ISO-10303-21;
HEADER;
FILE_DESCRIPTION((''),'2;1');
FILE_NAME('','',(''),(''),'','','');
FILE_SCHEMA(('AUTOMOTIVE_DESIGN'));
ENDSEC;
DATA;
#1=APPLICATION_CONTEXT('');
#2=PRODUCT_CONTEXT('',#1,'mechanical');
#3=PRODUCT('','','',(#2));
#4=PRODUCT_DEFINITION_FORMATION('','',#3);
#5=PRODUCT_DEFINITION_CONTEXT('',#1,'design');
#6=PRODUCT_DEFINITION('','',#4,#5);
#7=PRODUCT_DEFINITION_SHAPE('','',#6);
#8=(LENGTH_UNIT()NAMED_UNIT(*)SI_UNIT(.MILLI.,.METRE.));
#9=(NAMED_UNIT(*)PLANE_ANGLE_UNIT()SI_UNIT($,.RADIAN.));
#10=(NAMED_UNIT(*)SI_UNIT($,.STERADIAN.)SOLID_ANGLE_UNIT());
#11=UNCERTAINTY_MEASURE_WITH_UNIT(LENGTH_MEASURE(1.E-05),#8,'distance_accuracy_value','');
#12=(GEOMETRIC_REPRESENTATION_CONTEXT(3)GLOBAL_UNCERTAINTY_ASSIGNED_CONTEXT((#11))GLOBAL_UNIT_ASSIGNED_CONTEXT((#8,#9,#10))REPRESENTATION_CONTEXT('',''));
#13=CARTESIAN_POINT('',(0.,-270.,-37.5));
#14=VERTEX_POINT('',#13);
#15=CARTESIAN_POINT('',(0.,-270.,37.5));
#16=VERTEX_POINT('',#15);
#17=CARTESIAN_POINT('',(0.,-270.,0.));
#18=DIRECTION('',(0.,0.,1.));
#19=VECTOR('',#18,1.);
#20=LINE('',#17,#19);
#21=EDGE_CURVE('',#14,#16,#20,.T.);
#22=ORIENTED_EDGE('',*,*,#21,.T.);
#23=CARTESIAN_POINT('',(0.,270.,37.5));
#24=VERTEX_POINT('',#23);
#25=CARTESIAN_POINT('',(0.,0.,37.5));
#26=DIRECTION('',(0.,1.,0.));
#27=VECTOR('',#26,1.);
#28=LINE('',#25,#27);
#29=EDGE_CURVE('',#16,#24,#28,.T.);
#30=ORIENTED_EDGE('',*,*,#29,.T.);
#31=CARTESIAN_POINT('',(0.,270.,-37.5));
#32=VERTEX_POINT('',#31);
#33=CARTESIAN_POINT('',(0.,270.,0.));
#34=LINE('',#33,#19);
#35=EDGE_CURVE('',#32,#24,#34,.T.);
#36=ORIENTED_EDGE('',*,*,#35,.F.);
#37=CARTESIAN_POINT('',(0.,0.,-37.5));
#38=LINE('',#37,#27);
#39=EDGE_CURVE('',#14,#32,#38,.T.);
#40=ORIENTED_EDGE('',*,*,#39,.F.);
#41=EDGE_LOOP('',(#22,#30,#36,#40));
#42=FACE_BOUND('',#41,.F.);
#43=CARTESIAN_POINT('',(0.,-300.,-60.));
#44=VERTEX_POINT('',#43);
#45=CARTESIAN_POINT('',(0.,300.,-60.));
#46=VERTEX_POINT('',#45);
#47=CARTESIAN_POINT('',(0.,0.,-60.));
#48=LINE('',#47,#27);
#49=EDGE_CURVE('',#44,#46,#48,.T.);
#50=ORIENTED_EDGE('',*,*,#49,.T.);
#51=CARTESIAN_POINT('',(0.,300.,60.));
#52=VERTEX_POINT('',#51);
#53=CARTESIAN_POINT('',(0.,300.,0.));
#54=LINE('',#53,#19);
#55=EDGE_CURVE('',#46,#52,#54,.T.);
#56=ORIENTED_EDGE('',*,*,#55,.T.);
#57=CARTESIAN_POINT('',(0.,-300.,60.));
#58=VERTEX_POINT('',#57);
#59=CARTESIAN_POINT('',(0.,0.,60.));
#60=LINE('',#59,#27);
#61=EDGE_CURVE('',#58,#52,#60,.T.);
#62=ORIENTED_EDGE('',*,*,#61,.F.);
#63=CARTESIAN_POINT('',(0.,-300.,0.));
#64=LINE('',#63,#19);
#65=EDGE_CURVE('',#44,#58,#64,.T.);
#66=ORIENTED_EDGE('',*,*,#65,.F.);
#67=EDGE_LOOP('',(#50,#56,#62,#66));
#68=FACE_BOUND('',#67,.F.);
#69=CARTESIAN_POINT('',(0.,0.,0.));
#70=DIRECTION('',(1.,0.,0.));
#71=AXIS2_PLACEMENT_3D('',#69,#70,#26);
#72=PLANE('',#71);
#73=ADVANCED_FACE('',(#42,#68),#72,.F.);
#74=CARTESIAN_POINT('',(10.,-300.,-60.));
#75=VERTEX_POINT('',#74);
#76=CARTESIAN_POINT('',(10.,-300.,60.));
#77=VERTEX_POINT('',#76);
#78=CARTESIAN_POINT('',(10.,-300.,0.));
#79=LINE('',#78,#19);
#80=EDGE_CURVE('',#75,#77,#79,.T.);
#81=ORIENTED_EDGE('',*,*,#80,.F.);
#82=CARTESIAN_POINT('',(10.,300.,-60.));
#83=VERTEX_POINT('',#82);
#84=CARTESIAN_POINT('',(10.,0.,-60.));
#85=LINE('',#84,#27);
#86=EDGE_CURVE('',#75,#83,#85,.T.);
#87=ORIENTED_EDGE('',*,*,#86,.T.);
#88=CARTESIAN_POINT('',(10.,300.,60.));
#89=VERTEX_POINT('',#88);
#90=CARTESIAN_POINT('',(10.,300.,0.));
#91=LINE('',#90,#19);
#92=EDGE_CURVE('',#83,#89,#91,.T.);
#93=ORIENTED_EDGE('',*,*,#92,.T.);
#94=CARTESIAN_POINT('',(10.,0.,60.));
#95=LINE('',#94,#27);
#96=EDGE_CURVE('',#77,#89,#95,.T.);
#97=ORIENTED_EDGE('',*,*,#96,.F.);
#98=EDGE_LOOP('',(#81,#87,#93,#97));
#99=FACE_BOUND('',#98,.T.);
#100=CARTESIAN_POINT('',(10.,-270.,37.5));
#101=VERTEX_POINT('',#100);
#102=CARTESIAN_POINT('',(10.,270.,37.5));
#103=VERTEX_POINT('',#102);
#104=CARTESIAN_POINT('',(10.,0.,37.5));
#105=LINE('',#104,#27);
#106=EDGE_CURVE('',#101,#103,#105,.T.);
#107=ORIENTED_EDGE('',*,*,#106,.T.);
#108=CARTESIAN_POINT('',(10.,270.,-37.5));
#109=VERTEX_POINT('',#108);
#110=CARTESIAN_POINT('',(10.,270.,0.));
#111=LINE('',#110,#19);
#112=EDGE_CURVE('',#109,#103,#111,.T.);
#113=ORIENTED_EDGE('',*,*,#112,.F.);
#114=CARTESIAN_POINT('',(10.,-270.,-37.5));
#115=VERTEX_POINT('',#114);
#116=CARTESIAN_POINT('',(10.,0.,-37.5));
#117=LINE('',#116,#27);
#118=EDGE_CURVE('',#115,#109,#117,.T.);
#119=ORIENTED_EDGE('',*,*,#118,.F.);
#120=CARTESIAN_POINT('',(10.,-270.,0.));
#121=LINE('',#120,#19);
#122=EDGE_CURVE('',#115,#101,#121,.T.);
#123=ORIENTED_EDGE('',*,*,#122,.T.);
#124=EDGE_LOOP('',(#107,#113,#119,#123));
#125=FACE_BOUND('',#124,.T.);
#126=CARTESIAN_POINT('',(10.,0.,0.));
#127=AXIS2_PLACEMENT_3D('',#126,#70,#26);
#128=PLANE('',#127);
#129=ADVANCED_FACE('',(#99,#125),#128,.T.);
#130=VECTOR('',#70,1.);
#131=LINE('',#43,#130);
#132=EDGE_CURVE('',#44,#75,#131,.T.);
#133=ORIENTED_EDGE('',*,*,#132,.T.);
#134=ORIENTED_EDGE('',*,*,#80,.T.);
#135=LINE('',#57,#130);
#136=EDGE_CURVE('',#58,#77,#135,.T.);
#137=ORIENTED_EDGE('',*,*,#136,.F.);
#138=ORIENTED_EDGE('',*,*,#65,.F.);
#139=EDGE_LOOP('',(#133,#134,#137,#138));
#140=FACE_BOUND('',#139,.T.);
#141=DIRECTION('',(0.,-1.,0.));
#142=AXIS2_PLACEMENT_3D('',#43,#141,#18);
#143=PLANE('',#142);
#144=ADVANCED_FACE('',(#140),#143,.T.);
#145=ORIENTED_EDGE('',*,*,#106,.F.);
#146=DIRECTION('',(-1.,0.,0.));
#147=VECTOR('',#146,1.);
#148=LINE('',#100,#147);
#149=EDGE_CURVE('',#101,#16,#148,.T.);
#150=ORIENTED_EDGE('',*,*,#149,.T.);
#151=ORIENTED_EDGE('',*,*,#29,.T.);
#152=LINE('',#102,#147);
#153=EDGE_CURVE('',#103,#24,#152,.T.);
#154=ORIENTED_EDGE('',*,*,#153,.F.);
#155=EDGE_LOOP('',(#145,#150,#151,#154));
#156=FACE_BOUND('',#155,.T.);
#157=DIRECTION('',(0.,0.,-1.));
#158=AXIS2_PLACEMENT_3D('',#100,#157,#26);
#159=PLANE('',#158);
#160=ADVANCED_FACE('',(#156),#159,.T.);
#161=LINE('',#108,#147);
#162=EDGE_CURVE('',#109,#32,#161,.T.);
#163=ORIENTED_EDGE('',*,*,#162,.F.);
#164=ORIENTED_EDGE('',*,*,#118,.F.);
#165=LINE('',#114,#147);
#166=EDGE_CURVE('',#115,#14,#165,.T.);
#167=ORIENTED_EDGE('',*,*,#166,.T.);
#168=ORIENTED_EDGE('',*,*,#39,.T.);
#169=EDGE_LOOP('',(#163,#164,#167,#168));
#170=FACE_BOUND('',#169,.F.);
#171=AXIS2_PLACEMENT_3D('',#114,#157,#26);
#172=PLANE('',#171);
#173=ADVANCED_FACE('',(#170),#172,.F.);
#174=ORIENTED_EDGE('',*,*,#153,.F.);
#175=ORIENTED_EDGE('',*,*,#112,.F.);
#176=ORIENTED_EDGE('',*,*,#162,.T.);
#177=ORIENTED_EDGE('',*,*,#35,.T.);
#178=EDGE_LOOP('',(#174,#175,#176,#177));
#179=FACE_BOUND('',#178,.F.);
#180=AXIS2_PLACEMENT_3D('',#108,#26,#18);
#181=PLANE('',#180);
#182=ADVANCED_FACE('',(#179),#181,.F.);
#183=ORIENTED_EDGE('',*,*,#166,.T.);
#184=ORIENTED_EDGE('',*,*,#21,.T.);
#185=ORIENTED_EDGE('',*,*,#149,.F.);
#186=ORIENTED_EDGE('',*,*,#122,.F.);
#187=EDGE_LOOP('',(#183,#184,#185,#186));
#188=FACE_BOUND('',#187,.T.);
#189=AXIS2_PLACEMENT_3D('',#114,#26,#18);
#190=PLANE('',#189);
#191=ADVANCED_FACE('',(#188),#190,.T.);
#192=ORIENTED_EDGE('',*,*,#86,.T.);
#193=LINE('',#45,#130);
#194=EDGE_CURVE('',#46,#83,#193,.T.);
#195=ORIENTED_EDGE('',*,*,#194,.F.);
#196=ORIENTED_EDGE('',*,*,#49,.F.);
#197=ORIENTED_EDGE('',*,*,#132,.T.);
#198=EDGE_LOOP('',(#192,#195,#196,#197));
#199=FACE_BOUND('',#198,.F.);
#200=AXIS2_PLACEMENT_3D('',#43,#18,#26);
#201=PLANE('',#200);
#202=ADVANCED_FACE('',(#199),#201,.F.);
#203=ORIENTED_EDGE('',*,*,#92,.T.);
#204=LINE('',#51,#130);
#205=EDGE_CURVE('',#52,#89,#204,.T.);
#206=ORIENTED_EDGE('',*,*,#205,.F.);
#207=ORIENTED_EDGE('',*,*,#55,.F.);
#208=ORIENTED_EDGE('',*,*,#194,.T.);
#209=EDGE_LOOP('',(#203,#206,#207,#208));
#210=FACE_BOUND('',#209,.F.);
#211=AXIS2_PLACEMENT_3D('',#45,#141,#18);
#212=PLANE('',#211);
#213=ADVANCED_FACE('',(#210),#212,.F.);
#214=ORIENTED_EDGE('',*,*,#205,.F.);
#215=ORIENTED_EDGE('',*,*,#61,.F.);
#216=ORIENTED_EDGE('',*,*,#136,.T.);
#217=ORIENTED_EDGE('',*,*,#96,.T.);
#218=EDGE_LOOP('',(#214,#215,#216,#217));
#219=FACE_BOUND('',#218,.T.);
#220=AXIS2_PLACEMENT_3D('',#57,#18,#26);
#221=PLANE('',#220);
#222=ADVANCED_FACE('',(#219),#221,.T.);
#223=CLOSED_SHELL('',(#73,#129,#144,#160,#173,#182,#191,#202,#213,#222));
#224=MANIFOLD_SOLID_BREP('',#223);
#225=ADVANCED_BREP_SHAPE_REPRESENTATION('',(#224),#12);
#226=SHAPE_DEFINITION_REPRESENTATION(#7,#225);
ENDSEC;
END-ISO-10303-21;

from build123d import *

# Parameters (mm, degrees)
SKETCH_W     = 600
SKETCH_H     = 120
PAD_DEPTH    = 10
SKETCH001_W  = 540
SKETCH001_H  = 75
POCKET_DEPTH = 10


with BuildPart() as part:
    # Sketch → Pad (new body)
    with BuildSketch(Plane.YZ):
        Rectangle(SKETCH_W, SKETCH_H)
    extrude(amount=PAD_DEPTH)

    # Sketch001 → Pocket (cut)
    with BuildSketch(Plane.YZ.offset(10)):
        Rectangle(SKETCH001_W, SKETCH001_H)
    extrude(amount=-POCKET_DEPTH, mode=Mode.SUBTRACT)


solid = part.part
